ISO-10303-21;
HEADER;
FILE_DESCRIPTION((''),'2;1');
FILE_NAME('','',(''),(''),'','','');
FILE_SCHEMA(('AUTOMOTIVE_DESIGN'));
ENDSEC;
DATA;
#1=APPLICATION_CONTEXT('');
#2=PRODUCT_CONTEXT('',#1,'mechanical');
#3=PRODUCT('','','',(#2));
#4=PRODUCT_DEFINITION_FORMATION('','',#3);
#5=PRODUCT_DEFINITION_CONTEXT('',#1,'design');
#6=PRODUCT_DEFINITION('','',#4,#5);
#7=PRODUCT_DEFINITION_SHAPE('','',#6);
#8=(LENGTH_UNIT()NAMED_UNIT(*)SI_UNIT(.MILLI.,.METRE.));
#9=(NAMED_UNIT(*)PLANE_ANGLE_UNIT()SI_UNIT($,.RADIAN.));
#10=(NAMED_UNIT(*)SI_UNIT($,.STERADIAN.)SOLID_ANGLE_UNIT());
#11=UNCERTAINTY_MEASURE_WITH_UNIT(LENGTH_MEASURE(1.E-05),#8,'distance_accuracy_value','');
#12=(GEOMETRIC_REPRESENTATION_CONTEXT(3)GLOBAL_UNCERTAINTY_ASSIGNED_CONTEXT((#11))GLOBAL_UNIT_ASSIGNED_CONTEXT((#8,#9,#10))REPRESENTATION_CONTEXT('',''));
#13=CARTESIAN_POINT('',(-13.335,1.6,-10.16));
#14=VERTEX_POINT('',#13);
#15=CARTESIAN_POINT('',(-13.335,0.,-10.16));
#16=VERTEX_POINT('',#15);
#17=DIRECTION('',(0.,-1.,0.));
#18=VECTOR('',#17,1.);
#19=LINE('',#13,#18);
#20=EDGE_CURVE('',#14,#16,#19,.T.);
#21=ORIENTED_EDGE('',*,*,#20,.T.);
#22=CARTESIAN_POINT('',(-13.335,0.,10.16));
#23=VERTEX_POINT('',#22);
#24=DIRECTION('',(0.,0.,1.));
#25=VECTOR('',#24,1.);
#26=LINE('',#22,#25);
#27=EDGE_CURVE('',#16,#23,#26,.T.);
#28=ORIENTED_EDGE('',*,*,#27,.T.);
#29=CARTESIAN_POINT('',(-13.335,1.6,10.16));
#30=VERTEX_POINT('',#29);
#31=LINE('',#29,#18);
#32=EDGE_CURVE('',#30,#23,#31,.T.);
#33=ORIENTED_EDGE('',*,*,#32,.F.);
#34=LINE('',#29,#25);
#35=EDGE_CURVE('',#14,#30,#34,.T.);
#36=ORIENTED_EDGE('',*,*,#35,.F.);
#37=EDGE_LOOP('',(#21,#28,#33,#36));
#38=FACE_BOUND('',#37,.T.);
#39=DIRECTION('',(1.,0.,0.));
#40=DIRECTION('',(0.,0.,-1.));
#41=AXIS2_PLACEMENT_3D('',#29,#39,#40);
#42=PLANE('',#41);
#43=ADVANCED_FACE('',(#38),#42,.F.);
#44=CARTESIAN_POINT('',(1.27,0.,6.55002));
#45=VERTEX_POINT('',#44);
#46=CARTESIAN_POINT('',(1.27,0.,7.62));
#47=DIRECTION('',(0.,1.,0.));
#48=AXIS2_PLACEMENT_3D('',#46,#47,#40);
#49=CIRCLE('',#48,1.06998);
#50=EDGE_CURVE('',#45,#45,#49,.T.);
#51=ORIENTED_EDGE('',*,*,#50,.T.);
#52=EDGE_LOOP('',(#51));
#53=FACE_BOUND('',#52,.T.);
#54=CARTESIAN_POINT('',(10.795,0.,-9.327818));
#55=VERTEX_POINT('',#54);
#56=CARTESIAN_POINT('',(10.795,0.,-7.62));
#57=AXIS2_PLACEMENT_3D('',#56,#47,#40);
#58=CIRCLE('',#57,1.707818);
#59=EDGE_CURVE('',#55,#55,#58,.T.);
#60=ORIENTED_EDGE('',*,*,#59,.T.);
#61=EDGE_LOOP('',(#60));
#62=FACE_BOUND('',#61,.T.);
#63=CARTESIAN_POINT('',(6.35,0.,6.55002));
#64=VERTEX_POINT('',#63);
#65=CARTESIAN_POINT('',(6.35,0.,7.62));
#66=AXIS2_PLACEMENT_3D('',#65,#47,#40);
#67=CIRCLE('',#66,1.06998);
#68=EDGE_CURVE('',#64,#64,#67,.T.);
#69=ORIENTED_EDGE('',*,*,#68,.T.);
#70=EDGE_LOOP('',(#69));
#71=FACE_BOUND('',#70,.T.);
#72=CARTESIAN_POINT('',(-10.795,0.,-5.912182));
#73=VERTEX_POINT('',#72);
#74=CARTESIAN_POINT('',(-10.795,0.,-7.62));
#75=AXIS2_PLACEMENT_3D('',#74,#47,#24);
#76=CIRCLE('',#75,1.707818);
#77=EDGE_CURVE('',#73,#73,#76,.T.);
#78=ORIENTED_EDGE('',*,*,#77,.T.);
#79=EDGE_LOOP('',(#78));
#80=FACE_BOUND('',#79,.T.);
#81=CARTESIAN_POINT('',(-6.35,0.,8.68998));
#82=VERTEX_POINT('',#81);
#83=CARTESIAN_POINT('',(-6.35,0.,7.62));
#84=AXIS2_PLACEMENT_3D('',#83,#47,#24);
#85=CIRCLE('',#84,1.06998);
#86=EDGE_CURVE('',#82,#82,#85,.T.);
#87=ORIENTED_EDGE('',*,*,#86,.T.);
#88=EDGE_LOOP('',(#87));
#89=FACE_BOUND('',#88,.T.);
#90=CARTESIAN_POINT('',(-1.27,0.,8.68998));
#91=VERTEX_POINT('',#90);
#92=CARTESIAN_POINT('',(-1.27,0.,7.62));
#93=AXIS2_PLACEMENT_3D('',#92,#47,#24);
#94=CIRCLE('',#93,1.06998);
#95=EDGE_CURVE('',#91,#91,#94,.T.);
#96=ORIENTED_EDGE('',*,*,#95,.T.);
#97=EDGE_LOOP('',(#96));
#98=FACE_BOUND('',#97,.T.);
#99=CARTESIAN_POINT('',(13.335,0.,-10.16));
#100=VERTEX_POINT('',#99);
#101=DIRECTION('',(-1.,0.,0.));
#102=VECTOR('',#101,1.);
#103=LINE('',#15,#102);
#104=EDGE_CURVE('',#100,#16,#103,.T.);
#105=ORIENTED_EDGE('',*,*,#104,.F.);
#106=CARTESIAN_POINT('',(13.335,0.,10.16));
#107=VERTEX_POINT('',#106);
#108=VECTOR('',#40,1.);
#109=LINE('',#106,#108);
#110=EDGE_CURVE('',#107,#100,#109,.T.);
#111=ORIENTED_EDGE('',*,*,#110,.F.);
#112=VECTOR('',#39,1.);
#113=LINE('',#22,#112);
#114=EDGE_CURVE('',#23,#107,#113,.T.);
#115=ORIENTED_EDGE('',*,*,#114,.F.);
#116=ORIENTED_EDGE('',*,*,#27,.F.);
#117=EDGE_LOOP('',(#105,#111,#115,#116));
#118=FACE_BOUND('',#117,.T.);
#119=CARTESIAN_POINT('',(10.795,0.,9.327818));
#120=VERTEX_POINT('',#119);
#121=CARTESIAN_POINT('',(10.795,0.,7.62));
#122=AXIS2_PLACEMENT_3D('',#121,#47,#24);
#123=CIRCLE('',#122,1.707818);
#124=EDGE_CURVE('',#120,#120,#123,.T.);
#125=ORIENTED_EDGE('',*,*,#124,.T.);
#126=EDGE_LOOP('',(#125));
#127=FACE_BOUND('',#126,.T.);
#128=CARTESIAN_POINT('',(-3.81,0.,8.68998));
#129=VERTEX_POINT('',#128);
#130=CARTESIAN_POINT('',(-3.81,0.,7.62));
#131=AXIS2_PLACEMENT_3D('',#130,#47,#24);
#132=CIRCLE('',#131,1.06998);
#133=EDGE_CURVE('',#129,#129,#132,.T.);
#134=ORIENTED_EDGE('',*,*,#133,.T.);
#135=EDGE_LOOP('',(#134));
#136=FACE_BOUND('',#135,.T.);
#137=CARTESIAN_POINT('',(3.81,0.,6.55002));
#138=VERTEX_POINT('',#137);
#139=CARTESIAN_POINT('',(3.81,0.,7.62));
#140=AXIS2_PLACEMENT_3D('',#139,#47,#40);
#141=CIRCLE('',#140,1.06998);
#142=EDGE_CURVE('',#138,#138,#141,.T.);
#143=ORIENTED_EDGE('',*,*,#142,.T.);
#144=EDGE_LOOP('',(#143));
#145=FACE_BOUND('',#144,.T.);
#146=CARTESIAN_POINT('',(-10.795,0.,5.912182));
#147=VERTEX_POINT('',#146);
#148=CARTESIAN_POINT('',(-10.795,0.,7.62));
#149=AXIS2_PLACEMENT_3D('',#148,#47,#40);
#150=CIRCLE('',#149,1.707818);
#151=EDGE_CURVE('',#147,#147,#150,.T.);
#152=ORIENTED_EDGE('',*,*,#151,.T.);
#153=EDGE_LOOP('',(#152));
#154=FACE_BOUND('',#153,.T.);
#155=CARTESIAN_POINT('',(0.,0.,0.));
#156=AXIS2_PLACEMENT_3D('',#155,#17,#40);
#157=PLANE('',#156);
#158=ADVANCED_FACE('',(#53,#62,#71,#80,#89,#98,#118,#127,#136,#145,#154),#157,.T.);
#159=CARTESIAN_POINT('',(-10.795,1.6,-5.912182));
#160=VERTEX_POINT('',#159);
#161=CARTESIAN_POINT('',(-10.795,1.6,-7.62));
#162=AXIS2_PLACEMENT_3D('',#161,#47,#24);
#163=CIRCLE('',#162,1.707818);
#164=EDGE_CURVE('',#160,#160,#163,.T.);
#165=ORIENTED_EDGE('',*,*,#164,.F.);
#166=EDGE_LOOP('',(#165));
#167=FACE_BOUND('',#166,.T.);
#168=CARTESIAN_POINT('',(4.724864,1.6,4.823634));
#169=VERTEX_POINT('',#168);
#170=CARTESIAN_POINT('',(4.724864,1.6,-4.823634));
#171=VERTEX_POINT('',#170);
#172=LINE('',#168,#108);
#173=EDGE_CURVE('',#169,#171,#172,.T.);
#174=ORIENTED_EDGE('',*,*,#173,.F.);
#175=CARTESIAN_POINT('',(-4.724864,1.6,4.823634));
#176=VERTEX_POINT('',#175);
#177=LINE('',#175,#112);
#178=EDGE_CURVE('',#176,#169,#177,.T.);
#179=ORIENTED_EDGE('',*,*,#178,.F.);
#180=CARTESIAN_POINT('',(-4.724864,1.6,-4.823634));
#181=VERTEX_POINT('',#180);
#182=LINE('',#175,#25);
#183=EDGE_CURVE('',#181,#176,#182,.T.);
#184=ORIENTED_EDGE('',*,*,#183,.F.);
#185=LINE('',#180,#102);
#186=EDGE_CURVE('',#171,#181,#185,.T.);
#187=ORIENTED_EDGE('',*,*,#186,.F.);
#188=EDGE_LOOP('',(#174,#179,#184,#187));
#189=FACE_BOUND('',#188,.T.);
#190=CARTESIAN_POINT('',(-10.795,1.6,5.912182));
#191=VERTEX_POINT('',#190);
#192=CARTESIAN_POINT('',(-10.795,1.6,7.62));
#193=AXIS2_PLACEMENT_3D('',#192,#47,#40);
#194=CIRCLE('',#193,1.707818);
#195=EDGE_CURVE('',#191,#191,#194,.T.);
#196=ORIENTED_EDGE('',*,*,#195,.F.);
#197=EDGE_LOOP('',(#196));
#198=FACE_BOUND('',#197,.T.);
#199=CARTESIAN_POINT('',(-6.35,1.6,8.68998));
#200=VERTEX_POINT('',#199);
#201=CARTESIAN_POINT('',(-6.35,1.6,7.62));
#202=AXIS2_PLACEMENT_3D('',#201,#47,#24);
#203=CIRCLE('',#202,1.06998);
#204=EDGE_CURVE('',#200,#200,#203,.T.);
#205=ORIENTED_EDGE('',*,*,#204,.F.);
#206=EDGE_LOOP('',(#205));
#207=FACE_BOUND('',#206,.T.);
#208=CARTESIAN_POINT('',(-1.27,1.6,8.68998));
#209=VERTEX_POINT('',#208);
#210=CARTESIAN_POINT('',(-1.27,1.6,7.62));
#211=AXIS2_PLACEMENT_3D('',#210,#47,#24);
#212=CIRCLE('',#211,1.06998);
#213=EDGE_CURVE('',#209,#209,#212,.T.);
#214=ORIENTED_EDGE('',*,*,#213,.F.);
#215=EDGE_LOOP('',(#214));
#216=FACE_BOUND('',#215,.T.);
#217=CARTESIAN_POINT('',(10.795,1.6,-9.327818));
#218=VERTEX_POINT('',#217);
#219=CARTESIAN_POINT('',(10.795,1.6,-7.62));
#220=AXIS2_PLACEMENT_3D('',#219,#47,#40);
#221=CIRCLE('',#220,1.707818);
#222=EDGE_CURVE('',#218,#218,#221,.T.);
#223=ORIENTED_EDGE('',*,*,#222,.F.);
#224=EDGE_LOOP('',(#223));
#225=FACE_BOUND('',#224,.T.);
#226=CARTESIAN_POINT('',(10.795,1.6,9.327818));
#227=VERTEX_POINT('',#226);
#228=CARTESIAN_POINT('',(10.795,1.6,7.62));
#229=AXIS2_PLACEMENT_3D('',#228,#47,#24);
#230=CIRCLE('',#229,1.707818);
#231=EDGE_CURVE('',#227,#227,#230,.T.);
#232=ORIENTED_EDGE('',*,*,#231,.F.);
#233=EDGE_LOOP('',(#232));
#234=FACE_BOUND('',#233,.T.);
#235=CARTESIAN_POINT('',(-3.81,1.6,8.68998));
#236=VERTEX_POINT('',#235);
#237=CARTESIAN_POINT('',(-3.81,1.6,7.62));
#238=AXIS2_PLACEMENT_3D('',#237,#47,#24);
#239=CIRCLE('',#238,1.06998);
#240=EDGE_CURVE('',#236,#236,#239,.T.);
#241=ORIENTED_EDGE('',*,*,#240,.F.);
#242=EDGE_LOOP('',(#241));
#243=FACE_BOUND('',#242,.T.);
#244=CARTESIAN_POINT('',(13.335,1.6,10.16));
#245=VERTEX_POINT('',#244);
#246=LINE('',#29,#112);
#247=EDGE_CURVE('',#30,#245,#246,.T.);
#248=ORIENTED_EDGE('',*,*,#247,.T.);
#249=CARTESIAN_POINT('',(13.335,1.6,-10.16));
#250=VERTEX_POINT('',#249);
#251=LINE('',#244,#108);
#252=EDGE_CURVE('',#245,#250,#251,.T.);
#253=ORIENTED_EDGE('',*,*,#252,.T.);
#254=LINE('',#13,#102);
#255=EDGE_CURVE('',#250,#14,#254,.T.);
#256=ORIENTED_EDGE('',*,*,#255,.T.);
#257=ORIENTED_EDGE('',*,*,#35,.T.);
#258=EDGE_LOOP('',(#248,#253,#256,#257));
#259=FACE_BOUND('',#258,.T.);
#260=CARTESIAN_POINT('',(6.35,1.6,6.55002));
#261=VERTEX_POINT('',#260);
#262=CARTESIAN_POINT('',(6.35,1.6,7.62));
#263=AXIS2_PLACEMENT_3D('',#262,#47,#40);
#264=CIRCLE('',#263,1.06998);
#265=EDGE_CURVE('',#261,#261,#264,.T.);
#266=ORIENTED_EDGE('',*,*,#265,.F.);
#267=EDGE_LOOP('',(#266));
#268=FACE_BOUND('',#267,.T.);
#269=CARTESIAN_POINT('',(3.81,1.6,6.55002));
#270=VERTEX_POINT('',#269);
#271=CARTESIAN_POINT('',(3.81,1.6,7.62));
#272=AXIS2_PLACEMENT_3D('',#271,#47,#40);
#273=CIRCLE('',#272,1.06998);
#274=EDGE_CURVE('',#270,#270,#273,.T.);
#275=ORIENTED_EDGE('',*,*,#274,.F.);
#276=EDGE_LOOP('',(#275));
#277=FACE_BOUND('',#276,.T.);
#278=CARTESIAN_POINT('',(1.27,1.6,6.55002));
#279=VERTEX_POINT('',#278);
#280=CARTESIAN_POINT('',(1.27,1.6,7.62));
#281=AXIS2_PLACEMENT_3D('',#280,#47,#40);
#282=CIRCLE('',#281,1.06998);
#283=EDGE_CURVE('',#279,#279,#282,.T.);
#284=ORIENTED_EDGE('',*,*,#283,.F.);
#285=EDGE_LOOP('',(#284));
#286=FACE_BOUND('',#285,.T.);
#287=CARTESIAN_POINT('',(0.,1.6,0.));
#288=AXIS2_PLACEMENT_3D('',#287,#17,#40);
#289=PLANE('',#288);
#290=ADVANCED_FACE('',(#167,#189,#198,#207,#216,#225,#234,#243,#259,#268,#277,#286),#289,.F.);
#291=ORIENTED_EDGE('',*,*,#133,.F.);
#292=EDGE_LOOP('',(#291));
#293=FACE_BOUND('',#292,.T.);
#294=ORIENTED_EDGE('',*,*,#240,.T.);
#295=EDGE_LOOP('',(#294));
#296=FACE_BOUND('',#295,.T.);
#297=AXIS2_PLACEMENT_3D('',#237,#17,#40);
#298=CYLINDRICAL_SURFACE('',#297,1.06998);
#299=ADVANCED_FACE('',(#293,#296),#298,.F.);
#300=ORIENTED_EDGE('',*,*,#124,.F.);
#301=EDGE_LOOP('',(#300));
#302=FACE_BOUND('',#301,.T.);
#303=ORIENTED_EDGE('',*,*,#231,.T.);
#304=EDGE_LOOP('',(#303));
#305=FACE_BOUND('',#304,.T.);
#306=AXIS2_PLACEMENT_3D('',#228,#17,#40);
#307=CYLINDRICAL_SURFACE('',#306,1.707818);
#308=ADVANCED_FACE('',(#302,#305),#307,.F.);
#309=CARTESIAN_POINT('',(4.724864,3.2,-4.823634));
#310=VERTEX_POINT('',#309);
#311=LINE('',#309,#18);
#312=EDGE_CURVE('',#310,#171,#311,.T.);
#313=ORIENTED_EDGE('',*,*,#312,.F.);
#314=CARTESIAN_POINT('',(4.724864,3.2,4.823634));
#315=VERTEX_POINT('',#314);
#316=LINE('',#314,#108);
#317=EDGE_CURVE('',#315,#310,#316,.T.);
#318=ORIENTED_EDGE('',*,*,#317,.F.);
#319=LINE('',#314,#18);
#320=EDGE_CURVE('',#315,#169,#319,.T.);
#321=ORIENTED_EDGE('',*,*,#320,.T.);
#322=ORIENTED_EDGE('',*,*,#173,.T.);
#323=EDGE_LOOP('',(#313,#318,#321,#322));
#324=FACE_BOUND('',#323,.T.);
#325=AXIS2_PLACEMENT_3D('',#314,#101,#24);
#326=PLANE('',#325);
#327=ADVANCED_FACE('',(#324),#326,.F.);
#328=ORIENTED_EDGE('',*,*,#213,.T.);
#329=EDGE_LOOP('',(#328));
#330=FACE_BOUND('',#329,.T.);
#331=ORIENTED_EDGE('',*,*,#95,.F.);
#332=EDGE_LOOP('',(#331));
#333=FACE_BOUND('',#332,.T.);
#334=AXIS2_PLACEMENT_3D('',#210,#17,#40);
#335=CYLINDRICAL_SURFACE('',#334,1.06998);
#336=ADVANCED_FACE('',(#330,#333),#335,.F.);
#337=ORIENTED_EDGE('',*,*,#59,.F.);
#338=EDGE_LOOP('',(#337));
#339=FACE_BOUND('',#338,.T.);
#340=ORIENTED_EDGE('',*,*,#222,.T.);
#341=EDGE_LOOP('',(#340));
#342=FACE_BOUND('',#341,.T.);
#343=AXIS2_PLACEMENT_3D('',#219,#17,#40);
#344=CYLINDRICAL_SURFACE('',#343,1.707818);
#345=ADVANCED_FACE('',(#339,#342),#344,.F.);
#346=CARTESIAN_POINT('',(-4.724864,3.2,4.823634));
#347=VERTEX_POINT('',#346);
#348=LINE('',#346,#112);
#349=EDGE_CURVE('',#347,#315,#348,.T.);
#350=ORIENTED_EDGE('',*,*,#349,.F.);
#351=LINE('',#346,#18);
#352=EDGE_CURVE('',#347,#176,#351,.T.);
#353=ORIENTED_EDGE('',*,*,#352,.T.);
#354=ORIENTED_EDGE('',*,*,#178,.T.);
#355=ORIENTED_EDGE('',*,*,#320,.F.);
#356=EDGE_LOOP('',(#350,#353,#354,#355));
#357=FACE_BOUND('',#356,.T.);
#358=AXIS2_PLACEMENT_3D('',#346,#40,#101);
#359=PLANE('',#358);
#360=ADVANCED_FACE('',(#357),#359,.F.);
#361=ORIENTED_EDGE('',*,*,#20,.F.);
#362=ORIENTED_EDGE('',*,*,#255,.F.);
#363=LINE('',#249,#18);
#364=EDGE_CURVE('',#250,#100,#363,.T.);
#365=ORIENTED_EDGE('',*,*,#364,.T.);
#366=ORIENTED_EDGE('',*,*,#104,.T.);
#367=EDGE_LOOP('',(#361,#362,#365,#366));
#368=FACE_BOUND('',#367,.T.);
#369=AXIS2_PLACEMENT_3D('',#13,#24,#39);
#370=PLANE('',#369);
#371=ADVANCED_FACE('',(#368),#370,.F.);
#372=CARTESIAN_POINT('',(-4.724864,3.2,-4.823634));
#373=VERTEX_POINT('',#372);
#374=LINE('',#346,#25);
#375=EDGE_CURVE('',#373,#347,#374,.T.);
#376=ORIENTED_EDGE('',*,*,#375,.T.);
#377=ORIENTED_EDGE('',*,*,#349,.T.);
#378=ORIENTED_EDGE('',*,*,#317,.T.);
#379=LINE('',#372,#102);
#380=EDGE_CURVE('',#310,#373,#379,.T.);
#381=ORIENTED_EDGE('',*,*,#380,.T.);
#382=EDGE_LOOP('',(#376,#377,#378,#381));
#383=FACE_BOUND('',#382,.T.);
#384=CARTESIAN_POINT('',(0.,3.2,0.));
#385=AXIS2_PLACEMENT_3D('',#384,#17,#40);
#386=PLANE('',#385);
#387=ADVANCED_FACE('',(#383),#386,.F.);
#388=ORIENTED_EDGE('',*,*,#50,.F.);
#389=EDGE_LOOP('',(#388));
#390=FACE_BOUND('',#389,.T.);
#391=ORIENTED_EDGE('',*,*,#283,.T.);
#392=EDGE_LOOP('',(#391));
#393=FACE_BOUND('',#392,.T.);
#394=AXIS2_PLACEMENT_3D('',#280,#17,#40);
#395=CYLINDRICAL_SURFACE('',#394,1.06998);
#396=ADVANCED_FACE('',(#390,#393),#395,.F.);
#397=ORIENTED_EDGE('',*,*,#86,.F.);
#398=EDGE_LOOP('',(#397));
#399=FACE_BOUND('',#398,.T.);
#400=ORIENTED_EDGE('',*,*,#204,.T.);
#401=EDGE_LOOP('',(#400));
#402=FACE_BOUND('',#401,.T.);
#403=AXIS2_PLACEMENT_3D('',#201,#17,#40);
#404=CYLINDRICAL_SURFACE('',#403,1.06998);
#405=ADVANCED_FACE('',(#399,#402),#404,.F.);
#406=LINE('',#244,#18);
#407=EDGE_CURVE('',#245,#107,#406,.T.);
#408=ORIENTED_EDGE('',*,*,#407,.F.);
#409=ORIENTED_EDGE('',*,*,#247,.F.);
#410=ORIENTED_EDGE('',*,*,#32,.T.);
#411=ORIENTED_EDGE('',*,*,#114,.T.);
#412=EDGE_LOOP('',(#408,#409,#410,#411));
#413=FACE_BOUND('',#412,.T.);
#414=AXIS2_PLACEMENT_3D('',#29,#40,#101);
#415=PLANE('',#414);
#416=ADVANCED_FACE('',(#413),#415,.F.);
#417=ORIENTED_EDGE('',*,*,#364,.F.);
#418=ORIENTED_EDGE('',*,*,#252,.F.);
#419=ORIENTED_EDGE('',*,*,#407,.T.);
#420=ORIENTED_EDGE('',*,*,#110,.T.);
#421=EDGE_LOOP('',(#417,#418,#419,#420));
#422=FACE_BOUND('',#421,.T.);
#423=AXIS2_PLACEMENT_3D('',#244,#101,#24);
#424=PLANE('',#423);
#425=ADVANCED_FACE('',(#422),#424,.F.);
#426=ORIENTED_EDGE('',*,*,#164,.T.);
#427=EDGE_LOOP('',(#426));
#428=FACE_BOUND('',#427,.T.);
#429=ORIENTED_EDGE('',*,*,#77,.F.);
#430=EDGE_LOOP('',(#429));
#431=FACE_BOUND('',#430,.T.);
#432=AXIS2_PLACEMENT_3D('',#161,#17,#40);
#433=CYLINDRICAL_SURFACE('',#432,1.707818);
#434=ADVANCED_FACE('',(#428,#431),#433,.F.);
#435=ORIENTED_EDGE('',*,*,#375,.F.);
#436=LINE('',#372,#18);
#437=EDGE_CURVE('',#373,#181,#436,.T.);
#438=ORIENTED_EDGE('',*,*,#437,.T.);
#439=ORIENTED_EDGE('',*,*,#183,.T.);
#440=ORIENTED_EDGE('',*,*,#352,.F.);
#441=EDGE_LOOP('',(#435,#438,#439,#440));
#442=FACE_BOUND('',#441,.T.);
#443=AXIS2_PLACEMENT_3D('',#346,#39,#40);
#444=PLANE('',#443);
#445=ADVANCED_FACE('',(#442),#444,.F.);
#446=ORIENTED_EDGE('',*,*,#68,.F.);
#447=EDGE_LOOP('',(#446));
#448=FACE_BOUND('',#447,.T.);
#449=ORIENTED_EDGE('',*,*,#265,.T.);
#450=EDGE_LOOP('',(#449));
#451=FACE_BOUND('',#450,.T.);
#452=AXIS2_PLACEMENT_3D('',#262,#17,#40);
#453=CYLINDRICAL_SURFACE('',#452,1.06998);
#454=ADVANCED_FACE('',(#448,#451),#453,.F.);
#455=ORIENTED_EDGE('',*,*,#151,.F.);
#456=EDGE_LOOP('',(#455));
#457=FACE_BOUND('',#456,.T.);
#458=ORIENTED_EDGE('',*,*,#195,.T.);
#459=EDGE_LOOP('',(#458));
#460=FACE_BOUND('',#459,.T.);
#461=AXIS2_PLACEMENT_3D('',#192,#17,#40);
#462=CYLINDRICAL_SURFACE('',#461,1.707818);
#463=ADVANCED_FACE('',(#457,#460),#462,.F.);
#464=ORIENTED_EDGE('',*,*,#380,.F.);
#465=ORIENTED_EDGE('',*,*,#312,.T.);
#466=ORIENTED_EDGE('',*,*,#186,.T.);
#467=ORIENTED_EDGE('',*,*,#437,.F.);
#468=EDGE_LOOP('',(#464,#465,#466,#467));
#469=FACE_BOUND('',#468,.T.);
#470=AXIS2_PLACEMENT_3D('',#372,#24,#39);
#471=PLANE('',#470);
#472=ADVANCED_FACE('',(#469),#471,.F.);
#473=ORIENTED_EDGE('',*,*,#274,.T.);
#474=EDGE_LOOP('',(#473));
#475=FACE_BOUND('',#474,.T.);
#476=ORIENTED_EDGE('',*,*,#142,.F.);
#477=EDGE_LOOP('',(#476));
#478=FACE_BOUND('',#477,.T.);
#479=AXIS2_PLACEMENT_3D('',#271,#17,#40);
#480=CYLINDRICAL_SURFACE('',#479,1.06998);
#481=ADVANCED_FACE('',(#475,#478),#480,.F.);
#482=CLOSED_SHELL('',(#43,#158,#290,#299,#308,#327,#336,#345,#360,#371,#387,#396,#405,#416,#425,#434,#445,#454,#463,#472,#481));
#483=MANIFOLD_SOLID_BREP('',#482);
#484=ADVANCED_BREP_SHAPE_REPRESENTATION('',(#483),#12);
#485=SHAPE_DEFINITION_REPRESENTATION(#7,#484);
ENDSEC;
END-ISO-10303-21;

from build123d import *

# Parameters (mm, degrees)
SKETCH1_W           = 26.67
SKETCH1_H           = 20.32
SKETCH1_R           = 1.707818092
SKETCH1_R_2         = 1.06997981
BOSS_EXTRUDE1_DEPTH = 1.6
SKETCH2_W           = 9.449727346
SKETCH2_H           = 9.64726846
BOSS_EXTRUDE2_DEPTH = 1.6


with BuildPart() as part:
    # Sketch1 → Boss-Extrude1 (new body)
    with BuildSketch(Plane(origin=(0, 0, 0), x_dir=(1, 0, 0), z_dir=(0, 1, 0))):
        Rectangle(SKETCH1_W, SKETCH1_H)
        with Locations(Location((-10.795, 7.62, 0), (0, 0, 270))):
            Circle(SKETCH1_R, mode=Mode.SUBTRACT)
        with Locations(Location((10.795, 7.62, 0), (0, 0, 90))):
            Circle(SKETCH1_R, mode=Mode.SUBTRACT)
        with Locations(Location((10.795, -7.62, 0), (0, 0, 270))):
            Circle(SKETCH1_R, mode=Mode.SUBTRACT)
        with Locations(Location((-10.795, -7.62, 0), (0, 0, 90))):
            Circle(SKETCH1_R, mode=Mode.SUBTRACT)
        with Locations(Location((-1.27, -7.62, 0), (0, 0, 270))):
            Circle(SKETCH1_R_2, mode=Mode.SUBTRACT)
        with Locations(Location((-3.81, -7.62, 0), (0, 0, 270))):
            Circle(SKETCH1_R_2, mode=Mode.SUBTRACT)
        with Locations(Location((-6.35, -7.62, 0), (0, 0, 270))):
            Circle(SKETCH1_R_2, mode=Mode.SUBTRACT)
        with Locations(Location((6.35, -7.62, 0), (0, 0, 90))):
            Circle(SKETCH1_R_2, mode=Mode.SUBTRACT)
        with Locations(Location((3.81, -7.62, 0), (0, 0, 90))):
            Circle(SKETCH1_R_2, mode=Mode.SUBTRACT)
        with Locations(Location((1.27, -7.62, 0), (0, 0, 90))):
            Circle(SKETCH1_R_2, mode=Mode.SUBTRACT)
    extrude(amount=BOSS_EXTRUDE1_DEPTH)

    # Sketch2 → Boss-Extrude2 (add)
    with BuildSketch(Plane(origin=(0, 1.6, 0), x_dir=(1, 0, 0), z_dir=(0, 1, 0))):
        Rectangle(SKETCH2_W, SKETCH2_H)
    extrude(amount=BOSS_EXTRUDE2_DEPTH)


solid = part.part
